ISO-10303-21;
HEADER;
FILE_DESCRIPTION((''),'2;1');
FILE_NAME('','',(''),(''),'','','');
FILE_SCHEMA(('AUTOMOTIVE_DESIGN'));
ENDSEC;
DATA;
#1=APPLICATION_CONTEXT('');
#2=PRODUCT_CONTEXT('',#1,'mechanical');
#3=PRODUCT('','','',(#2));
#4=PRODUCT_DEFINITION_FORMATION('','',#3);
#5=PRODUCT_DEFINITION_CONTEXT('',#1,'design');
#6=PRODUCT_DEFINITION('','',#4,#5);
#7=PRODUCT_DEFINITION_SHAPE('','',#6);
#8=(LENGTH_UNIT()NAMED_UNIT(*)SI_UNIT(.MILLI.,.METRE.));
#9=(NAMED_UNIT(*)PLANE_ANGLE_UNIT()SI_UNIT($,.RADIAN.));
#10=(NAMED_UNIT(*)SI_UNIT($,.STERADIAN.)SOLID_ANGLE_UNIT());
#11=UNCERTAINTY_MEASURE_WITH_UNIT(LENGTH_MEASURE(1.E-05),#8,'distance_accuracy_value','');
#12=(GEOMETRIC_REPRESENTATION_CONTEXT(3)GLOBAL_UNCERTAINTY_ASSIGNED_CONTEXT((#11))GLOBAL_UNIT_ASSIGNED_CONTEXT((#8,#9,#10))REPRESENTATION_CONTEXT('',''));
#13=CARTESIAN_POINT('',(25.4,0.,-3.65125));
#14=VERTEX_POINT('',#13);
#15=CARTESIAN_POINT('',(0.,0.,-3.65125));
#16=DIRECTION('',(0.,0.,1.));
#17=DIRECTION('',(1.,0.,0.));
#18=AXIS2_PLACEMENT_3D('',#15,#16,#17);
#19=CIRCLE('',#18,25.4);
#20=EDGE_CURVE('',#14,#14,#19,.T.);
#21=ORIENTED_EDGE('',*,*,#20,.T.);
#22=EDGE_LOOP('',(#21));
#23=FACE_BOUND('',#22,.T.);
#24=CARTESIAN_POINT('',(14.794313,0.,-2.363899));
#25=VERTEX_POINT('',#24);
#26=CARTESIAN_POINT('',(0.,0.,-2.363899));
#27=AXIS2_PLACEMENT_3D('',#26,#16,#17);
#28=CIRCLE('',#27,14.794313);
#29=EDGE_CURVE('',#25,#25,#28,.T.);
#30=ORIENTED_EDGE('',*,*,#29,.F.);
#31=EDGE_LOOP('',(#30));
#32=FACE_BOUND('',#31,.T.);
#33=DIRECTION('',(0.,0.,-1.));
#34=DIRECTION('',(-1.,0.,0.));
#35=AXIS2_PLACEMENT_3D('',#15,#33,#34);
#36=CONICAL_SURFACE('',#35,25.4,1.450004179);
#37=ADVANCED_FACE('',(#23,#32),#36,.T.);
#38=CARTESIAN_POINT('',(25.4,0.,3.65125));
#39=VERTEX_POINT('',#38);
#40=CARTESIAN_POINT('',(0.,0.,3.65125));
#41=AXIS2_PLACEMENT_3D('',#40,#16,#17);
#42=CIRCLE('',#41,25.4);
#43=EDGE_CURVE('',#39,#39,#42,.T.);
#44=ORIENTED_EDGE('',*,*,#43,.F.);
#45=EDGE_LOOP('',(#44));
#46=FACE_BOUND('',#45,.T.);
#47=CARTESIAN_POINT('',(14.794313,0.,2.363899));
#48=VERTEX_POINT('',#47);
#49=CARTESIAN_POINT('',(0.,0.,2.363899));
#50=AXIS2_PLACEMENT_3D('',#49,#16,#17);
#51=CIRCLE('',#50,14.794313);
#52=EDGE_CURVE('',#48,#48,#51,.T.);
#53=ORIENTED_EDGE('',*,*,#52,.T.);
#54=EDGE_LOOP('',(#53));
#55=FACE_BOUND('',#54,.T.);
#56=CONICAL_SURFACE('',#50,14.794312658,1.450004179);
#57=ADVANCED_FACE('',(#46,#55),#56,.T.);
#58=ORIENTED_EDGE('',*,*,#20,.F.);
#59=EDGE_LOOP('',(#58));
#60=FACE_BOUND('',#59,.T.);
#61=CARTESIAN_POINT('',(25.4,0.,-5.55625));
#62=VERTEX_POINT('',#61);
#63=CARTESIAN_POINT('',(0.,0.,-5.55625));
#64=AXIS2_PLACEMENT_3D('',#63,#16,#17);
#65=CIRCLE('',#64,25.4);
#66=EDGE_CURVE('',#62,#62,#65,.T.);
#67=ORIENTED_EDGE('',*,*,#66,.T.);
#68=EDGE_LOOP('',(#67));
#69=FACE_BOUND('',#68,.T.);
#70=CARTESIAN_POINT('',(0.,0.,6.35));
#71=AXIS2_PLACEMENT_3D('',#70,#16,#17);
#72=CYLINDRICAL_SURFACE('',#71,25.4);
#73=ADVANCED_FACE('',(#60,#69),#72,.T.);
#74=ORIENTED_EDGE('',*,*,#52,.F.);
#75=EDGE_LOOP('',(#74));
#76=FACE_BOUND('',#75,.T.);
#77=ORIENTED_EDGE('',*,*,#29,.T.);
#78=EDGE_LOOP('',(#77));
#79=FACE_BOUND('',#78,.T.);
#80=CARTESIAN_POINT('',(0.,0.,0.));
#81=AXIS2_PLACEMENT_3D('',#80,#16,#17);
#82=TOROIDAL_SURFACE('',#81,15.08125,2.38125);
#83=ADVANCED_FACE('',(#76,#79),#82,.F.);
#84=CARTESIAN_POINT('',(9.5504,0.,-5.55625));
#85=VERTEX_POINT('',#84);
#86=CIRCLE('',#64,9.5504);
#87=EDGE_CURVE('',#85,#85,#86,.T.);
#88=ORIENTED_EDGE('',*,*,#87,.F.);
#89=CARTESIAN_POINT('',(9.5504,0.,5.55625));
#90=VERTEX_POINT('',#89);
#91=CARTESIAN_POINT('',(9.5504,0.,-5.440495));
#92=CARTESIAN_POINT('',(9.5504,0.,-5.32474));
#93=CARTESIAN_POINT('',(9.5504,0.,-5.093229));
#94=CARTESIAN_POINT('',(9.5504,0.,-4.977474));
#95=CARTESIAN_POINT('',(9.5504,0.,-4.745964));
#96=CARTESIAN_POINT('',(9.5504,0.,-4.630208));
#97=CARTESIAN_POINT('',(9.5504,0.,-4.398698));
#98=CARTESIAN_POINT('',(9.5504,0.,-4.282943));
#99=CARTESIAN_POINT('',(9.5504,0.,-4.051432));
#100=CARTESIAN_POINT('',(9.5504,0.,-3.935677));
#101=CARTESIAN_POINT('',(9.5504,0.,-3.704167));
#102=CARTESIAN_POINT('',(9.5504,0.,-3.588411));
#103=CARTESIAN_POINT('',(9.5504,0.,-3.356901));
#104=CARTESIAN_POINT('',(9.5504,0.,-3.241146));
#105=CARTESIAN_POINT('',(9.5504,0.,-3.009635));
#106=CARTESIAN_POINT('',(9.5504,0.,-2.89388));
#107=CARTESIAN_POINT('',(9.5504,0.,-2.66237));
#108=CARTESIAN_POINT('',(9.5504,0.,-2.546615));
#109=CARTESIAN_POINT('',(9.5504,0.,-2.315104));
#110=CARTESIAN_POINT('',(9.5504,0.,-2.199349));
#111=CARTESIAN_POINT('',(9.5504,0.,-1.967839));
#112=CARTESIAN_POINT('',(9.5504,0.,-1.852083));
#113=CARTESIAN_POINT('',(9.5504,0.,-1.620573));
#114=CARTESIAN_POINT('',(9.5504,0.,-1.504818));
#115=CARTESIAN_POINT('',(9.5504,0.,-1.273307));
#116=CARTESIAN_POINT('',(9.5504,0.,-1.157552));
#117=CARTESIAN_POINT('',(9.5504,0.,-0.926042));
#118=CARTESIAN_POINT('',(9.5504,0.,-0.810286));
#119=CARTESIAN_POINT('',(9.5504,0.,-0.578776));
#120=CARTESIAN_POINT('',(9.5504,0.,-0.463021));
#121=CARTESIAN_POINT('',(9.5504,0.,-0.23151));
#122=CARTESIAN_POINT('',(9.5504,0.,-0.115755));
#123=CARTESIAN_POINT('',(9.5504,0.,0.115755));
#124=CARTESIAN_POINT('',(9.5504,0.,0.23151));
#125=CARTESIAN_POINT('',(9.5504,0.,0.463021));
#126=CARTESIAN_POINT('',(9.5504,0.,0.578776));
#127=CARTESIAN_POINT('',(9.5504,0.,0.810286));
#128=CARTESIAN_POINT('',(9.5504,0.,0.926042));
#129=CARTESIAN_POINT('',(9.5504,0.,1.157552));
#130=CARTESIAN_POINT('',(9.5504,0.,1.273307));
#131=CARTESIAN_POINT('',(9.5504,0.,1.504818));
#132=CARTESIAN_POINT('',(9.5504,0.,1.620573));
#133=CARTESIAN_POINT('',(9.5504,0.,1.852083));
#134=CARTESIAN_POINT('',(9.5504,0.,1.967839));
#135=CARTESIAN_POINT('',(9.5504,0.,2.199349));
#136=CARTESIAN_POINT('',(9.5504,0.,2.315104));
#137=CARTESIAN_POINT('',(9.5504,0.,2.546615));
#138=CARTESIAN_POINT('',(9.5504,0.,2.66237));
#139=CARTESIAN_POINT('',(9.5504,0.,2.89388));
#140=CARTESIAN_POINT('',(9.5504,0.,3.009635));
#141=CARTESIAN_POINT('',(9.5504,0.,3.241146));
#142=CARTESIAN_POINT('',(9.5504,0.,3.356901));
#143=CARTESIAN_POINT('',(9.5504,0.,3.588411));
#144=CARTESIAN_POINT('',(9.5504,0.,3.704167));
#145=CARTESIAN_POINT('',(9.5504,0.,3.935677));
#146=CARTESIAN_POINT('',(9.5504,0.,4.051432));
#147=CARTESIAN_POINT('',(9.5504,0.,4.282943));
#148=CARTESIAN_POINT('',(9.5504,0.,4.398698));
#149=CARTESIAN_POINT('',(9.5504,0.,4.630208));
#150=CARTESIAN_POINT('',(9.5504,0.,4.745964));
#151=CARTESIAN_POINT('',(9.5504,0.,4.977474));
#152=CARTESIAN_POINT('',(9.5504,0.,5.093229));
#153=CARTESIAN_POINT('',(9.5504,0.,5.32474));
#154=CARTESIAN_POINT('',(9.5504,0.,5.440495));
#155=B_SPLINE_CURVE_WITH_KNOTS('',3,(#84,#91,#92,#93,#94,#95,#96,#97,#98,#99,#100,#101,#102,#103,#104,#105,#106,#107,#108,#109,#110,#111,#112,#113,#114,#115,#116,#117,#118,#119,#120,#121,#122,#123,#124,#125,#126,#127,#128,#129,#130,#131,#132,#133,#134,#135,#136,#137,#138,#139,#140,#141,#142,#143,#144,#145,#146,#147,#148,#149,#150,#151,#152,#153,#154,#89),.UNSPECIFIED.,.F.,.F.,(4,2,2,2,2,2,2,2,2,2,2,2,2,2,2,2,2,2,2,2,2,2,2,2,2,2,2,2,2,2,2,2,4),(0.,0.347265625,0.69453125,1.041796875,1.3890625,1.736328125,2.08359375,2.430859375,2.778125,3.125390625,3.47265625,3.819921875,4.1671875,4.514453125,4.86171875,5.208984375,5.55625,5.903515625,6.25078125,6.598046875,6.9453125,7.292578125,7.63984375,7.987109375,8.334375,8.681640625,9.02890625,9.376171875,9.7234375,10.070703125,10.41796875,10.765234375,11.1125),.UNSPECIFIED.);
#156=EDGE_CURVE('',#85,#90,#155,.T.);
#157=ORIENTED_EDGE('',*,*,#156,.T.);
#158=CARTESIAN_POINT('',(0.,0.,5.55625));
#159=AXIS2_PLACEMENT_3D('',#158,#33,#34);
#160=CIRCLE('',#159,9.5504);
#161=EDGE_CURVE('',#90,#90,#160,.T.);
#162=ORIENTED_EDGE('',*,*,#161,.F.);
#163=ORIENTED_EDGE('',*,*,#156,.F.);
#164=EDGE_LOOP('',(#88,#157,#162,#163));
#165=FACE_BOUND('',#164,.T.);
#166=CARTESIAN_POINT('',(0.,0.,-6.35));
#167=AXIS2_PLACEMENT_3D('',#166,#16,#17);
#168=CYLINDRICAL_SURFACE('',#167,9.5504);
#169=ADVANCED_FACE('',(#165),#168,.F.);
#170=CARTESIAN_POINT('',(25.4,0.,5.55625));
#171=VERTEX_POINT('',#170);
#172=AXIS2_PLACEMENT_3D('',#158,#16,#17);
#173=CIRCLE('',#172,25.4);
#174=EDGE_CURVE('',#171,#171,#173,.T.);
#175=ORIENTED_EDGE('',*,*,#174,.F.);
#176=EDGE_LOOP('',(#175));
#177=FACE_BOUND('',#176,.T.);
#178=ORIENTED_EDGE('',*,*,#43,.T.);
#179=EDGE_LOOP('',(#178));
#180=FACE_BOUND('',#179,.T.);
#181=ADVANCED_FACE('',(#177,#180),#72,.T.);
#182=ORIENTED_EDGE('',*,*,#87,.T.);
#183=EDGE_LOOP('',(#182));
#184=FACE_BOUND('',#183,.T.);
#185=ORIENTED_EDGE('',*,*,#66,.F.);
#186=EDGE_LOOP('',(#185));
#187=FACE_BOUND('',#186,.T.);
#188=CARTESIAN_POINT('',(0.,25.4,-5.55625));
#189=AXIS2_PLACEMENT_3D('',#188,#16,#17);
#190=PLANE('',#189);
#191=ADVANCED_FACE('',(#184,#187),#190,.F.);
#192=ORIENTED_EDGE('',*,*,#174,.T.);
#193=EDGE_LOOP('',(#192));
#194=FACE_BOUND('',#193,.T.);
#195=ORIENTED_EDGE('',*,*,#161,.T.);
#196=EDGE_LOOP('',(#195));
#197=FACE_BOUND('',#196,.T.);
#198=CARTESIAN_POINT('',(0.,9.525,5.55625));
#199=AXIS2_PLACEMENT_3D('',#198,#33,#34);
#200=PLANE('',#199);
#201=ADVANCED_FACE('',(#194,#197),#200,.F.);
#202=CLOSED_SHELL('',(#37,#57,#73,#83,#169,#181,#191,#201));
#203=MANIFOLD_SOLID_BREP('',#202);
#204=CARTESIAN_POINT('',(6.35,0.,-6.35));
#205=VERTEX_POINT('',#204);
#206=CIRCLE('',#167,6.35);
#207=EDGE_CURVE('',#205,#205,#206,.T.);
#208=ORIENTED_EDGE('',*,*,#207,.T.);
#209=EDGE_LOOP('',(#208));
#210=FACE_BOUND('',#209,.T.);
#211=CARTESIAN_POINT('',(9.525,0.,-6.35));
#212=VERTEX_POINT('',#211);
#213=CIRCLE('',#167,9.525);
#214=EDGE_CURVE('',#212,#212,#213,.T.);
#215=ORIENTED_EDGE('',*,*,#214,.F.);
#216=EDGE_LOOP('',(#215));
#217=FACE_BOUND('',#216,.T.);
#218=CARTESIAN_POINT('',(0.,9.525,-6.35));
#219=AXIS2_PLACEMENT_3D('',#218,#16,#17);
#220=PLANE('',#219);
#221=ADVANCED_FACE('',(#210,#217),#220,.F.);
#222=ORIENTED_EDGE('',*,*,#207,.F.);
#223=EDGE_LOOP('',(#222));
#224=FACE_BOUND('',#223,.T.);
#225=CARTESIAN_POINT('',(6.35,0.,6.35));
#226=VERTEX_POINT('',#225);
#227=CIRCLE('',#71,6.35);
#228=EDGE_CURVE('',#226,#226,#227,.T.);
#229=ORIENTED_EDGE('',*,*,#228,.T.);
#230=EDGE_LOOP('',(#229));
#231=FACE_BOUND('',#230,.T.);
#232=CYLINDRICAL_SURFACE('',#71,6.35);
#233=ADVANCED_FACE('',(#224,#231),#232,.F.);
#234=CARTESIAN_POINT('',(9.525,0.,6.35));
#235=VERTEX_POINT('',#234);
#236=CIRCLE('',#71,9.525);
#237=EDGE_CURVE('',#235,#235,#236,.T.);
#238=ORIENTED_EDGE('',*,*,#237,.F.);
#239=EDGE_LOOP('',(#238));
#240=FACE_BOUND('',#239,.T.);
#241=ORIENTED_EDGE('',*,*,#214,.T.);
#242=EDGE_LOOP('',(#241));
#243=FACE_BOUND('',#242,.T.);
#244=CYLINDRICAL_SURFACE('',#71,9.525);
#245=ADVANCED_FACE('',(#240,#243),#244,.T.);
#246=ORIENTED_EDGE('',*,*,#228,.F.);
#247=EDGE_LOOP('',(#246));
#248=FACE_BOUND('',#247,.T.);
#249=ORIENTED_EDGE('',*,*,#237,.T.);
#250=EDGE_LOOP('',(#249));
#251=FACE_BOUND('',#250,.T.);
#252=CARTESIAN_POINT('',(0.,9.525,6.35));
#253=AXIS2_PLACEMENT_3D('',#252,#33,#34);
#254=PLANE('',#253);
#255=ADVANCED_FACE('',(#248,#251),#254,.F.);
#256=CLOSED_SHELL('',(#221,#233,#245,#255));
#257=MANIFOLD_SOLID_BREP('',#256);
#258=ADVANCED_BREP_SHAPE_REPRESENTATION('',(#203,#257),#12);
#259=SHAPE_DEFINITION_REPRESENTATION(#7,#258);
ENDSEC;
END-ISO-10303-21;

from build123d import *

# Parameters (mm, degrees)
CUT_EXTRUDE_THIN1_DEPTH      = 37.477972806
CUT_EXTRUDE_THIN1_DEPTH_BACK = 37.477972806
SKETCH2_R                    = 9.5504
SKETCH2_R_2                  = 9.525


with BuildPart() as part:
    # Sketch1 → Revolve1 (revolve)
    with BuildSketch(Plane(origin=(0, 0, 0), x_dir=(0, 0, -1), z_dir=(1, 0, 0)), mode=Mode.PRIVATE) as revolve1_sk:
        with BuildLine():
            Line((3.65125, 25.4), (5.55625, 25.4))
            Line((5.55625, 25.4), (5.55625, 9.525))
            Line((5.55625, 9.525), (6.35, 9.525))
            Line((6.35, 9.525), (6.35, 6.35))
            Line((6.35, 6.35), (-6.35, 6.35))
            Line((-6.35, 6.35), (-6.35, 9.525))
            Line((-6.35, 9.525), (-5.55625, 9.525))
            Line((-5.55625, 9.525), (-5.55625, 25.4))
            Line((-5.55625, 25.4), (-3.65125, 25.4))
            Line((-3.65125, 25.4), (-2.363899009, 14.794312658))
            ThreePointArc((-2.363899009, 14.794312658), (0, 12.7), (2.363899009, 14.794312658))
            Line((2.363899009, 14.794312658), (3.65125, 25.4))
        make_face()
    revolve(revolve1_sk.sketch.rotate(Axis((0, 0, 6.35), (0, 0, -1)), 90), axis=Axis((0, 0, 6.35), (0, 0, -1)))

    # Sketch2 → Cut-Extrude-Thin1 (cut, two sides: drawn at the far end of the back side and taken through both)
    with BuildSketch(Plane.XY.offset(-CUT_EXTRUDE_THIN1_DEPTH_BACK)):
        Circle(SKETCH2_R)
        Circle(SKETCH2_R_2, mode=Mode.SUBTRACT)
    extrude(amount=CUT_EXTRUDE_THIN1_DEPTH + CUT_EXTRUDE_THIN1_DEPTH_BACK, mode=Mode.SUBTRACT)


with BuildPart() as cut_extrude_thin1_piece_1:
    # of the separate pieces the step leaves, piece 1, a body of its own (cut_extrude_thin1_pieces)
    add(part.part.solids().sort_by_distance((25.4, 0, -3.65125))[0])


with BuildPart() as cut_extrude_thin1_piece_2:
    # of the separate pieces the step leaves, piece 2, a body of its own (cut_extrude_thin1_pieces)
    add(part.part.solids().sort_by_distance((9.525, 0, -5.55625))[0])


solid = Compound([cut_extrude_thin1_piece_1.part, cut_extrude_thin1_piece_2.part])
